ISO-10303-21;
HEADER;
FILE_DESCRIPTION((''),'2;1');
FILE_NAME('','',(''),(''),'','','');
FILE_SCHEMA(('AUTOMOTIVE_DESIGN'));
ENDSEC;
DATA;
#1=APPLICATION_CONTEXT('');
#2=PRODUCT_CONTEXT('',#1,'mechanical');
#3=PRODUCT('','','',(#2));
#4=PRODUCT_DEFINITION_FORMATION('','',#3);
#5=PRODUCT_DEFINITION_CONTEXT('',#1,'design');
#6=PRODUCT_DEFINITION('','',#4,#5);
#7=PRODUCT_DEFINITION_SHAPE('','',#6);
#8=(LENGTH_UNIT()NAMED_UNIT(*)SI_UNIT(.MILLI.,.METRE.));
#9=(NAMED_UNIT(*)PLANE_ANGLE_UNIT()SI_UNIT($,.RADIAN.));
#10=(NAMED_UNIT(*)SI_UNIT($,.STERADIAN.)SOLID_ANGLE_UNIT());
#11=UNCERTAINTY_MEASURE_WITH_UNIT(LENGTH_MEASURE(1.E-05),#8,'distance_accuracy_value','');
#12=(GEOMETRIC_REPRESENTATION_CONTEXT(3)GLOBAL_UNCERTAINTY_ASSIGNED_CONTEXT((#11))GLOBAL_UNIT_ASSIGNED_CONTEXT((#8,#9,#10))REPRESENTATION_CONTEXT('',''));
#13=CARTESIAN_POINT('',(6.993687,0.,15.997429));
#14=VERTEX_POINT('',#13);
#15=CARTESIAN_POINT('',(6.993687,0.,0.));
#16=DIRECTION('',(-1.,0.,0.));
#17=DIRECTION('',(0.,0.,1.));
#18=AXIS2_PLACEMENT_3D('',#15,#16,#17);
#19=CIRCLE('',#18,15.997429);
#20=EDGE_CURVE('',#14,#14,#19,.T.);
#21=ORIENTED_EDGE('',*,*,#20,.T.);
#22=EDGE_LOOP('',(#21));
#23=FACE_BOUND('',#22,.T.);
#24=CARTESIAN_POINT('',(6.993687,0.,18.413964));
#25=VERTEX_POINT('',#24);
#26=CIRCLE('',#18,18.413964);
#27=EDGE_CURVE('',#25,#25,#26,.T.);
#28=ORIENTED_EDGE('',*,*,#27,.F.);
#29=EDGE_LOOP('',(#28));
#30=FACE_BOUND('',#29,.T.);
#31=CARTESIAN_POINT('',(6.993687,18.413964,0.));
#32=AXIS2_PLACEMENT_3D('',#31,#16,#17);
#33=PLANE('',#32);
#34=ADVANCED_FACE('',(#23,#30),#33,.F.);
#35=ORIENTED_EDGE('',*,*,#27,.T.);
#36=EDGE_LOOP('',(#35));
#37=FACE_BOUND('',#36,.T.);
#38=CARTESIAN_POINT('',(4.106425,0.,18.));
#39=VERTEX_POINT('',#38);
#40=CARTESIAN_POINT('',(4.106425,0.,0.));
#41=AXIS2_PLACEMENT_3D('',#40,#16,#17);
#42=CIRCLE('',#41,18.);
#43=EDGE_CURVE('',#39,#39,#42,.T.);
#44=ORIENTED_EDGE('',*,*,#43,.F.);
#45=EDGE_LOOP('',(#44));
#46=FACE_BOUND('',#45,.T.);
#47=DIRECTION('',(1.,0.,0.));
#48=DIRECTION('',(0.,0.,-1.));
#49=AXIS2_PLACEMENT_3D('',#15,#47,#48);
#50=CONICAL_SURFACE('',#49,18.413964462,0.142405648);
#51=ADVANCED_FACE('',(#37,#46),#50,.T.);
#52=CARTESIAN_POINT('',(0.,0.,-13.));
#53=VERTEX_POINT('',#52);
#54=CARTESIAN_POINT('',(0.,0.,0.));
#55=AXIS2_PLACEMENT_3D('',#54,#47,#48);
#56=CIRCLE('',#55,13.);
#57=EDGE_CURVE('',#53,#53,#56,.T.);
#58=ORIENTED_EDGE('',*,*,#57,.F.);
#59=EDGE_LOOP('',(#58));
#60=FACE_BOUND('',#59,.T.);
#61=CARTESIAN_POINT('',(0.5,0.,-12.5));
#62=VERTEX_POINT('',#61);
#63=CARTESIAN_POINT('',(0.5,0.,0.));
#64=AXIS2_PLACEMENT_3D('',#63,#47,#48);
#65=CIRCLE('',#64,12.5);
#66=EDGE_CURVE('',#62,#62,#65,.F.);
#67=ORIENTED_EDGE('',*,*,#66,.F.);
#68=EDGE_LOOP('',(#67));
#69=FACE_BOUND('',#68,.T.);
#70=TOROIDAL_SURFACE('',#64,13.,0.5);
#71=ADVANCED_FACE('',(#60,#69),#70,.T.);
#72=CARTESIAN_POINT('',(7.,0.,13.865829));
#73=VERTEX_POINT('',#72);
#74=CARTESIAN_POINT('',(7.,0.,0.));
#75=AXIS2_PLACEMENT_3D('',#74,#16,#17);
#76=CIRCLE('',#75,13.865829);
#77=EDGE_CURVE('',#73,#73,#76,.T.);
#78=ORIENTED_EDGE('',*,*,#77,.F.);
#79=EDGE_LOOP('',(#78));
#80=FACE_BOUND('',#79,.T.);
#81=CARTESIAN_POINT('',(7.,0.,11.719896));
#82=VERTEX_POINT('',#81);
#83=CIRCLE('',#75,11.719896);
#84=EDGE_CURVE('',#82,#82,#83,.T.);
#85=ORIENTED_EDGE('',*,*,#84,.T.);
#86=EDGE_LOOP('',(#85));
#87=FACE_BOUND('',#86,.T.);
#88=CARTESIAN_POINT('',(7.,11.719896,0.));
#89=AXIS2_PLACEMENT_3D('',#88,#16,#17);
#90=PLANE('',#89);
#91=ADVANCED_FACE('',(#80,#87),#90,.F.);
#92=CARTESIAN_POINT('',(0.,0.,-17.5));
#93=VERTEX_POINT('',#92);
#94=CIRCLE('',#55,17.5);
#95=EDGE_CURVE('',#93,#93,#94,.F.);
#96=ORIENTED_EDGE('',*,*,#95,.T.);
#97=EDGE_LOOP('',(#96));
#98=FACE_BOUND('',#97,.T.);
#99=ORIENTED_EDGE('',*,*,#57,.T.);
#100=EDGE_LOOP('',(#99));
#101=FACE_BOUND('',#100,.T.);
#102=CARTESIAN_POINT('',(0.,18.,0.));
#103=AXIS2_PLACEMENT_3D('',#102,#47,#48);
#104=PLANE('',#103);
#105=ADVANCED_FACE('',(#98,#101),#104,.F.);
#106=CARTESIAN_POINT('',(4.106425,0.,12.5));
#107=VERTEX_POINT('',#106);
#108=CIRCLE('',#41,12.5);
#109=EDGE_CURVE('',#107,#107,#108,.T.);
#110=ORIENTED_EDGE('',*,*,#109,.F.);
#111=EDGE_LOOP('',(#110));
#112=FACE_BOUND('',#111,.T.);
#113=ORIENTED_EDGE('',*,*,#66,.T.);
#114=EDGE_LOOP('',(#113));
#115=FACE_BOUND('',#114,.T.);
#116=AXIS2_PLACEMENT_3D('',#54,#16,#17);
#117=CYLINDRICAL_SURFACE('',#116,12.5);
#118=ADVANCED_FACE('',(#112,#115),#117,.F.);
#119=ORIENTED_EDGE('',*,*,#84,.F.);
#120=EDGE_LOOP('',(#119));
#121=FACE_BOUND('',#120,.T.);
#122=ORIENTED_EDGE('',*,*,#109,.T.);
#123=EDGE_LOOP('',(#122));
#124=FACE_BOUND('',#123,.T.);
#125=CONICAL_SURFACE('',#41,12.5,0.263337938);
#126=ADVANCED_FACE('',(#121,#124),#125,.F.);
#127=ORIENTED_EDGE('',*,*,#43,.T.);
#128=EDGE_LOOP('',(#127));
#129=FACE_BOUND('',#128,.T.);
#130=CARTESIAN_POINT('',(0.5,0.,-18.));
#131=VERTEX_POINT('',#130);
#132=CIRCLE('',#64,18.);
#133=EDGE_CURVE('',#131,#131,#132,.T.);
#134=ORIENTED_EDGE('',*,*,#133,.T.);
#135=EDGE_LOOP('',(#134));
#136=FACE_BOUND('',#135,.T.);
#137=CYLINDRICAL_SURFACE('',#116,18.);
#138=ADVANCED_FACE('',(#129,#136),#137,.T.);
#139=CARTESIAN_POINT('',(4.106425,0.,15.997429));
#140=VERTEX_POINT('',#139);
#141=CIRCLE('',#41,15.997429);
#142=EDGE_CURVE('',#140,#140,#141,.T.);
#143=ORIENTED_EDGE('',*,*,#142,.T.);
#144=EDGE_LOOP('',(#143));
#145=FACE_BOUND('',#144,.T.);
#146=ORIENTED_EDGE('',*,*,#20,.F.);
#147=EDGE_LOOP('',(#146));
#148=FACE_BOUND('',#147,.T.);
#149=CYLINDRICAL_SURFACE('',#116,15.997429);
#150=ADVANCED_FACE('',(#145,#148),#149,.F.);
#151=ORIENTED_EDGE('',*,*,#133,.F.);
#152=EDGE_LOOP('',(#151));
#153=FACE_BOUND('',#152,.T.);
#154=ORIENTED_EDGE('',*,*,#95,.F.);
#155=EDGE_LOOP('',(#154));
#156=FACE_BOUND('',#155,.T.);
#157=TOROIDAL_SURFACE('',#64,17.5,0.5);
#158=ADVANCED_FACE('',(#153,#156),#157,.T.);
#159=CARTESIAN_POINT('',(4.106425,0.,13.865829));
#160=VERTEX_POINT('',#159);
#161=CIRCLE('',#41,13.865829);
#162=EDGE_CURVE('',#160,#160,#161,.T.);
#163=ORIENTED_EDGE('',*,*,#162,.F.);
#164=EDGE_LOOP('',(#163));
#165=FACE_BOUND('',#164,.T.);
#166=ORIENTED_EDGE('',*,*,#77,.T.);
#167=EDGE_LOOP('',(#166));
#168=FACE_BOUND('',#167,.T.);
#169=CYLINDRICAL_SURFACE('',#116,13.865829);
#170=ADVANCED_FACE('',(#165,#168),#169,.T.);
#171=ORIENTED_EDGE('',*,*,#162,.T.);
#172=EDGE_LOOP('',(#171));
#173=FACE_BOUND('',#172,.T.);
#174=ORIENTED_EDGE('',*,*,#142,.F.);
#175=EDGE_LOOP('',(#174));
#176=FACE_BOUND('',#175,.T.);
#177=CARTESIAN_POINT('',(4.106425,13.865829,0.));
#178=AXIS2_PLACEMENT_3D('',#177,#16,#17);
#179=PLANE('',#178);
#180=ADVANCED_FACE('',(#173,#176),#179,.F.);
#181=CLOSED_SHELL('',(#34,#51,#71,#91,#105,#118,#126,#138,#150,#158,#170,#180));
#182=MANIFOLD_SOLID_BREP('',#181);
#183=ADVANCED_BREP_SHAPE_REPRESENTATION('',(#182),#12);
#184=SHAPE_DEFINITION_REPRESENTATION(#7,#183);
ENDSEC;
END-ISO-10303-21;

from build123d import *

# Parameters (mm, degrees)
FILLET1_R = 0.5
FILLET2_R = 0.5


with BuildPart() as part:
    # Sketch1 → Revolve1 (revolve)
    with BuildSketch(Plane.XY, mode=Mode.PRIVATE) as revolve1_sk:
        Polygon((0, 18), (0, 12.5), (4.106425474, 12.5), (7, 11.719895528), (7, 13.865829082), (4.106425474, 13.865829082), (4.106425474, 15.997428623), (6.99368707, 15.997428623), (6.99368707, 18), (6.99368707, 18.413964462), (4.106425474, 18), align=None)
    revolve(revolve1_sk.sketch.rotate(Axis((0, 0, 0), (1, 0, 0)), 90), axis=Axis((0, 0, 0), (1, 0, 0)))

    # Fillet1
    fillet1_edges = [part.edges().sort_by_distance(p)[0] for p in [
        (0, 0, -18),
    ]]
    fillet(fillet1_edges, radius=FILLET1_R)

    # Fillet2
    fillet2_edges = [part.edges().sort_by_distance(p)[0] for p in [
        (0, 0, -12.5),
    ]]
    fillet(fillet2_edges, radius=FILLET2_R)


solid = part.part
